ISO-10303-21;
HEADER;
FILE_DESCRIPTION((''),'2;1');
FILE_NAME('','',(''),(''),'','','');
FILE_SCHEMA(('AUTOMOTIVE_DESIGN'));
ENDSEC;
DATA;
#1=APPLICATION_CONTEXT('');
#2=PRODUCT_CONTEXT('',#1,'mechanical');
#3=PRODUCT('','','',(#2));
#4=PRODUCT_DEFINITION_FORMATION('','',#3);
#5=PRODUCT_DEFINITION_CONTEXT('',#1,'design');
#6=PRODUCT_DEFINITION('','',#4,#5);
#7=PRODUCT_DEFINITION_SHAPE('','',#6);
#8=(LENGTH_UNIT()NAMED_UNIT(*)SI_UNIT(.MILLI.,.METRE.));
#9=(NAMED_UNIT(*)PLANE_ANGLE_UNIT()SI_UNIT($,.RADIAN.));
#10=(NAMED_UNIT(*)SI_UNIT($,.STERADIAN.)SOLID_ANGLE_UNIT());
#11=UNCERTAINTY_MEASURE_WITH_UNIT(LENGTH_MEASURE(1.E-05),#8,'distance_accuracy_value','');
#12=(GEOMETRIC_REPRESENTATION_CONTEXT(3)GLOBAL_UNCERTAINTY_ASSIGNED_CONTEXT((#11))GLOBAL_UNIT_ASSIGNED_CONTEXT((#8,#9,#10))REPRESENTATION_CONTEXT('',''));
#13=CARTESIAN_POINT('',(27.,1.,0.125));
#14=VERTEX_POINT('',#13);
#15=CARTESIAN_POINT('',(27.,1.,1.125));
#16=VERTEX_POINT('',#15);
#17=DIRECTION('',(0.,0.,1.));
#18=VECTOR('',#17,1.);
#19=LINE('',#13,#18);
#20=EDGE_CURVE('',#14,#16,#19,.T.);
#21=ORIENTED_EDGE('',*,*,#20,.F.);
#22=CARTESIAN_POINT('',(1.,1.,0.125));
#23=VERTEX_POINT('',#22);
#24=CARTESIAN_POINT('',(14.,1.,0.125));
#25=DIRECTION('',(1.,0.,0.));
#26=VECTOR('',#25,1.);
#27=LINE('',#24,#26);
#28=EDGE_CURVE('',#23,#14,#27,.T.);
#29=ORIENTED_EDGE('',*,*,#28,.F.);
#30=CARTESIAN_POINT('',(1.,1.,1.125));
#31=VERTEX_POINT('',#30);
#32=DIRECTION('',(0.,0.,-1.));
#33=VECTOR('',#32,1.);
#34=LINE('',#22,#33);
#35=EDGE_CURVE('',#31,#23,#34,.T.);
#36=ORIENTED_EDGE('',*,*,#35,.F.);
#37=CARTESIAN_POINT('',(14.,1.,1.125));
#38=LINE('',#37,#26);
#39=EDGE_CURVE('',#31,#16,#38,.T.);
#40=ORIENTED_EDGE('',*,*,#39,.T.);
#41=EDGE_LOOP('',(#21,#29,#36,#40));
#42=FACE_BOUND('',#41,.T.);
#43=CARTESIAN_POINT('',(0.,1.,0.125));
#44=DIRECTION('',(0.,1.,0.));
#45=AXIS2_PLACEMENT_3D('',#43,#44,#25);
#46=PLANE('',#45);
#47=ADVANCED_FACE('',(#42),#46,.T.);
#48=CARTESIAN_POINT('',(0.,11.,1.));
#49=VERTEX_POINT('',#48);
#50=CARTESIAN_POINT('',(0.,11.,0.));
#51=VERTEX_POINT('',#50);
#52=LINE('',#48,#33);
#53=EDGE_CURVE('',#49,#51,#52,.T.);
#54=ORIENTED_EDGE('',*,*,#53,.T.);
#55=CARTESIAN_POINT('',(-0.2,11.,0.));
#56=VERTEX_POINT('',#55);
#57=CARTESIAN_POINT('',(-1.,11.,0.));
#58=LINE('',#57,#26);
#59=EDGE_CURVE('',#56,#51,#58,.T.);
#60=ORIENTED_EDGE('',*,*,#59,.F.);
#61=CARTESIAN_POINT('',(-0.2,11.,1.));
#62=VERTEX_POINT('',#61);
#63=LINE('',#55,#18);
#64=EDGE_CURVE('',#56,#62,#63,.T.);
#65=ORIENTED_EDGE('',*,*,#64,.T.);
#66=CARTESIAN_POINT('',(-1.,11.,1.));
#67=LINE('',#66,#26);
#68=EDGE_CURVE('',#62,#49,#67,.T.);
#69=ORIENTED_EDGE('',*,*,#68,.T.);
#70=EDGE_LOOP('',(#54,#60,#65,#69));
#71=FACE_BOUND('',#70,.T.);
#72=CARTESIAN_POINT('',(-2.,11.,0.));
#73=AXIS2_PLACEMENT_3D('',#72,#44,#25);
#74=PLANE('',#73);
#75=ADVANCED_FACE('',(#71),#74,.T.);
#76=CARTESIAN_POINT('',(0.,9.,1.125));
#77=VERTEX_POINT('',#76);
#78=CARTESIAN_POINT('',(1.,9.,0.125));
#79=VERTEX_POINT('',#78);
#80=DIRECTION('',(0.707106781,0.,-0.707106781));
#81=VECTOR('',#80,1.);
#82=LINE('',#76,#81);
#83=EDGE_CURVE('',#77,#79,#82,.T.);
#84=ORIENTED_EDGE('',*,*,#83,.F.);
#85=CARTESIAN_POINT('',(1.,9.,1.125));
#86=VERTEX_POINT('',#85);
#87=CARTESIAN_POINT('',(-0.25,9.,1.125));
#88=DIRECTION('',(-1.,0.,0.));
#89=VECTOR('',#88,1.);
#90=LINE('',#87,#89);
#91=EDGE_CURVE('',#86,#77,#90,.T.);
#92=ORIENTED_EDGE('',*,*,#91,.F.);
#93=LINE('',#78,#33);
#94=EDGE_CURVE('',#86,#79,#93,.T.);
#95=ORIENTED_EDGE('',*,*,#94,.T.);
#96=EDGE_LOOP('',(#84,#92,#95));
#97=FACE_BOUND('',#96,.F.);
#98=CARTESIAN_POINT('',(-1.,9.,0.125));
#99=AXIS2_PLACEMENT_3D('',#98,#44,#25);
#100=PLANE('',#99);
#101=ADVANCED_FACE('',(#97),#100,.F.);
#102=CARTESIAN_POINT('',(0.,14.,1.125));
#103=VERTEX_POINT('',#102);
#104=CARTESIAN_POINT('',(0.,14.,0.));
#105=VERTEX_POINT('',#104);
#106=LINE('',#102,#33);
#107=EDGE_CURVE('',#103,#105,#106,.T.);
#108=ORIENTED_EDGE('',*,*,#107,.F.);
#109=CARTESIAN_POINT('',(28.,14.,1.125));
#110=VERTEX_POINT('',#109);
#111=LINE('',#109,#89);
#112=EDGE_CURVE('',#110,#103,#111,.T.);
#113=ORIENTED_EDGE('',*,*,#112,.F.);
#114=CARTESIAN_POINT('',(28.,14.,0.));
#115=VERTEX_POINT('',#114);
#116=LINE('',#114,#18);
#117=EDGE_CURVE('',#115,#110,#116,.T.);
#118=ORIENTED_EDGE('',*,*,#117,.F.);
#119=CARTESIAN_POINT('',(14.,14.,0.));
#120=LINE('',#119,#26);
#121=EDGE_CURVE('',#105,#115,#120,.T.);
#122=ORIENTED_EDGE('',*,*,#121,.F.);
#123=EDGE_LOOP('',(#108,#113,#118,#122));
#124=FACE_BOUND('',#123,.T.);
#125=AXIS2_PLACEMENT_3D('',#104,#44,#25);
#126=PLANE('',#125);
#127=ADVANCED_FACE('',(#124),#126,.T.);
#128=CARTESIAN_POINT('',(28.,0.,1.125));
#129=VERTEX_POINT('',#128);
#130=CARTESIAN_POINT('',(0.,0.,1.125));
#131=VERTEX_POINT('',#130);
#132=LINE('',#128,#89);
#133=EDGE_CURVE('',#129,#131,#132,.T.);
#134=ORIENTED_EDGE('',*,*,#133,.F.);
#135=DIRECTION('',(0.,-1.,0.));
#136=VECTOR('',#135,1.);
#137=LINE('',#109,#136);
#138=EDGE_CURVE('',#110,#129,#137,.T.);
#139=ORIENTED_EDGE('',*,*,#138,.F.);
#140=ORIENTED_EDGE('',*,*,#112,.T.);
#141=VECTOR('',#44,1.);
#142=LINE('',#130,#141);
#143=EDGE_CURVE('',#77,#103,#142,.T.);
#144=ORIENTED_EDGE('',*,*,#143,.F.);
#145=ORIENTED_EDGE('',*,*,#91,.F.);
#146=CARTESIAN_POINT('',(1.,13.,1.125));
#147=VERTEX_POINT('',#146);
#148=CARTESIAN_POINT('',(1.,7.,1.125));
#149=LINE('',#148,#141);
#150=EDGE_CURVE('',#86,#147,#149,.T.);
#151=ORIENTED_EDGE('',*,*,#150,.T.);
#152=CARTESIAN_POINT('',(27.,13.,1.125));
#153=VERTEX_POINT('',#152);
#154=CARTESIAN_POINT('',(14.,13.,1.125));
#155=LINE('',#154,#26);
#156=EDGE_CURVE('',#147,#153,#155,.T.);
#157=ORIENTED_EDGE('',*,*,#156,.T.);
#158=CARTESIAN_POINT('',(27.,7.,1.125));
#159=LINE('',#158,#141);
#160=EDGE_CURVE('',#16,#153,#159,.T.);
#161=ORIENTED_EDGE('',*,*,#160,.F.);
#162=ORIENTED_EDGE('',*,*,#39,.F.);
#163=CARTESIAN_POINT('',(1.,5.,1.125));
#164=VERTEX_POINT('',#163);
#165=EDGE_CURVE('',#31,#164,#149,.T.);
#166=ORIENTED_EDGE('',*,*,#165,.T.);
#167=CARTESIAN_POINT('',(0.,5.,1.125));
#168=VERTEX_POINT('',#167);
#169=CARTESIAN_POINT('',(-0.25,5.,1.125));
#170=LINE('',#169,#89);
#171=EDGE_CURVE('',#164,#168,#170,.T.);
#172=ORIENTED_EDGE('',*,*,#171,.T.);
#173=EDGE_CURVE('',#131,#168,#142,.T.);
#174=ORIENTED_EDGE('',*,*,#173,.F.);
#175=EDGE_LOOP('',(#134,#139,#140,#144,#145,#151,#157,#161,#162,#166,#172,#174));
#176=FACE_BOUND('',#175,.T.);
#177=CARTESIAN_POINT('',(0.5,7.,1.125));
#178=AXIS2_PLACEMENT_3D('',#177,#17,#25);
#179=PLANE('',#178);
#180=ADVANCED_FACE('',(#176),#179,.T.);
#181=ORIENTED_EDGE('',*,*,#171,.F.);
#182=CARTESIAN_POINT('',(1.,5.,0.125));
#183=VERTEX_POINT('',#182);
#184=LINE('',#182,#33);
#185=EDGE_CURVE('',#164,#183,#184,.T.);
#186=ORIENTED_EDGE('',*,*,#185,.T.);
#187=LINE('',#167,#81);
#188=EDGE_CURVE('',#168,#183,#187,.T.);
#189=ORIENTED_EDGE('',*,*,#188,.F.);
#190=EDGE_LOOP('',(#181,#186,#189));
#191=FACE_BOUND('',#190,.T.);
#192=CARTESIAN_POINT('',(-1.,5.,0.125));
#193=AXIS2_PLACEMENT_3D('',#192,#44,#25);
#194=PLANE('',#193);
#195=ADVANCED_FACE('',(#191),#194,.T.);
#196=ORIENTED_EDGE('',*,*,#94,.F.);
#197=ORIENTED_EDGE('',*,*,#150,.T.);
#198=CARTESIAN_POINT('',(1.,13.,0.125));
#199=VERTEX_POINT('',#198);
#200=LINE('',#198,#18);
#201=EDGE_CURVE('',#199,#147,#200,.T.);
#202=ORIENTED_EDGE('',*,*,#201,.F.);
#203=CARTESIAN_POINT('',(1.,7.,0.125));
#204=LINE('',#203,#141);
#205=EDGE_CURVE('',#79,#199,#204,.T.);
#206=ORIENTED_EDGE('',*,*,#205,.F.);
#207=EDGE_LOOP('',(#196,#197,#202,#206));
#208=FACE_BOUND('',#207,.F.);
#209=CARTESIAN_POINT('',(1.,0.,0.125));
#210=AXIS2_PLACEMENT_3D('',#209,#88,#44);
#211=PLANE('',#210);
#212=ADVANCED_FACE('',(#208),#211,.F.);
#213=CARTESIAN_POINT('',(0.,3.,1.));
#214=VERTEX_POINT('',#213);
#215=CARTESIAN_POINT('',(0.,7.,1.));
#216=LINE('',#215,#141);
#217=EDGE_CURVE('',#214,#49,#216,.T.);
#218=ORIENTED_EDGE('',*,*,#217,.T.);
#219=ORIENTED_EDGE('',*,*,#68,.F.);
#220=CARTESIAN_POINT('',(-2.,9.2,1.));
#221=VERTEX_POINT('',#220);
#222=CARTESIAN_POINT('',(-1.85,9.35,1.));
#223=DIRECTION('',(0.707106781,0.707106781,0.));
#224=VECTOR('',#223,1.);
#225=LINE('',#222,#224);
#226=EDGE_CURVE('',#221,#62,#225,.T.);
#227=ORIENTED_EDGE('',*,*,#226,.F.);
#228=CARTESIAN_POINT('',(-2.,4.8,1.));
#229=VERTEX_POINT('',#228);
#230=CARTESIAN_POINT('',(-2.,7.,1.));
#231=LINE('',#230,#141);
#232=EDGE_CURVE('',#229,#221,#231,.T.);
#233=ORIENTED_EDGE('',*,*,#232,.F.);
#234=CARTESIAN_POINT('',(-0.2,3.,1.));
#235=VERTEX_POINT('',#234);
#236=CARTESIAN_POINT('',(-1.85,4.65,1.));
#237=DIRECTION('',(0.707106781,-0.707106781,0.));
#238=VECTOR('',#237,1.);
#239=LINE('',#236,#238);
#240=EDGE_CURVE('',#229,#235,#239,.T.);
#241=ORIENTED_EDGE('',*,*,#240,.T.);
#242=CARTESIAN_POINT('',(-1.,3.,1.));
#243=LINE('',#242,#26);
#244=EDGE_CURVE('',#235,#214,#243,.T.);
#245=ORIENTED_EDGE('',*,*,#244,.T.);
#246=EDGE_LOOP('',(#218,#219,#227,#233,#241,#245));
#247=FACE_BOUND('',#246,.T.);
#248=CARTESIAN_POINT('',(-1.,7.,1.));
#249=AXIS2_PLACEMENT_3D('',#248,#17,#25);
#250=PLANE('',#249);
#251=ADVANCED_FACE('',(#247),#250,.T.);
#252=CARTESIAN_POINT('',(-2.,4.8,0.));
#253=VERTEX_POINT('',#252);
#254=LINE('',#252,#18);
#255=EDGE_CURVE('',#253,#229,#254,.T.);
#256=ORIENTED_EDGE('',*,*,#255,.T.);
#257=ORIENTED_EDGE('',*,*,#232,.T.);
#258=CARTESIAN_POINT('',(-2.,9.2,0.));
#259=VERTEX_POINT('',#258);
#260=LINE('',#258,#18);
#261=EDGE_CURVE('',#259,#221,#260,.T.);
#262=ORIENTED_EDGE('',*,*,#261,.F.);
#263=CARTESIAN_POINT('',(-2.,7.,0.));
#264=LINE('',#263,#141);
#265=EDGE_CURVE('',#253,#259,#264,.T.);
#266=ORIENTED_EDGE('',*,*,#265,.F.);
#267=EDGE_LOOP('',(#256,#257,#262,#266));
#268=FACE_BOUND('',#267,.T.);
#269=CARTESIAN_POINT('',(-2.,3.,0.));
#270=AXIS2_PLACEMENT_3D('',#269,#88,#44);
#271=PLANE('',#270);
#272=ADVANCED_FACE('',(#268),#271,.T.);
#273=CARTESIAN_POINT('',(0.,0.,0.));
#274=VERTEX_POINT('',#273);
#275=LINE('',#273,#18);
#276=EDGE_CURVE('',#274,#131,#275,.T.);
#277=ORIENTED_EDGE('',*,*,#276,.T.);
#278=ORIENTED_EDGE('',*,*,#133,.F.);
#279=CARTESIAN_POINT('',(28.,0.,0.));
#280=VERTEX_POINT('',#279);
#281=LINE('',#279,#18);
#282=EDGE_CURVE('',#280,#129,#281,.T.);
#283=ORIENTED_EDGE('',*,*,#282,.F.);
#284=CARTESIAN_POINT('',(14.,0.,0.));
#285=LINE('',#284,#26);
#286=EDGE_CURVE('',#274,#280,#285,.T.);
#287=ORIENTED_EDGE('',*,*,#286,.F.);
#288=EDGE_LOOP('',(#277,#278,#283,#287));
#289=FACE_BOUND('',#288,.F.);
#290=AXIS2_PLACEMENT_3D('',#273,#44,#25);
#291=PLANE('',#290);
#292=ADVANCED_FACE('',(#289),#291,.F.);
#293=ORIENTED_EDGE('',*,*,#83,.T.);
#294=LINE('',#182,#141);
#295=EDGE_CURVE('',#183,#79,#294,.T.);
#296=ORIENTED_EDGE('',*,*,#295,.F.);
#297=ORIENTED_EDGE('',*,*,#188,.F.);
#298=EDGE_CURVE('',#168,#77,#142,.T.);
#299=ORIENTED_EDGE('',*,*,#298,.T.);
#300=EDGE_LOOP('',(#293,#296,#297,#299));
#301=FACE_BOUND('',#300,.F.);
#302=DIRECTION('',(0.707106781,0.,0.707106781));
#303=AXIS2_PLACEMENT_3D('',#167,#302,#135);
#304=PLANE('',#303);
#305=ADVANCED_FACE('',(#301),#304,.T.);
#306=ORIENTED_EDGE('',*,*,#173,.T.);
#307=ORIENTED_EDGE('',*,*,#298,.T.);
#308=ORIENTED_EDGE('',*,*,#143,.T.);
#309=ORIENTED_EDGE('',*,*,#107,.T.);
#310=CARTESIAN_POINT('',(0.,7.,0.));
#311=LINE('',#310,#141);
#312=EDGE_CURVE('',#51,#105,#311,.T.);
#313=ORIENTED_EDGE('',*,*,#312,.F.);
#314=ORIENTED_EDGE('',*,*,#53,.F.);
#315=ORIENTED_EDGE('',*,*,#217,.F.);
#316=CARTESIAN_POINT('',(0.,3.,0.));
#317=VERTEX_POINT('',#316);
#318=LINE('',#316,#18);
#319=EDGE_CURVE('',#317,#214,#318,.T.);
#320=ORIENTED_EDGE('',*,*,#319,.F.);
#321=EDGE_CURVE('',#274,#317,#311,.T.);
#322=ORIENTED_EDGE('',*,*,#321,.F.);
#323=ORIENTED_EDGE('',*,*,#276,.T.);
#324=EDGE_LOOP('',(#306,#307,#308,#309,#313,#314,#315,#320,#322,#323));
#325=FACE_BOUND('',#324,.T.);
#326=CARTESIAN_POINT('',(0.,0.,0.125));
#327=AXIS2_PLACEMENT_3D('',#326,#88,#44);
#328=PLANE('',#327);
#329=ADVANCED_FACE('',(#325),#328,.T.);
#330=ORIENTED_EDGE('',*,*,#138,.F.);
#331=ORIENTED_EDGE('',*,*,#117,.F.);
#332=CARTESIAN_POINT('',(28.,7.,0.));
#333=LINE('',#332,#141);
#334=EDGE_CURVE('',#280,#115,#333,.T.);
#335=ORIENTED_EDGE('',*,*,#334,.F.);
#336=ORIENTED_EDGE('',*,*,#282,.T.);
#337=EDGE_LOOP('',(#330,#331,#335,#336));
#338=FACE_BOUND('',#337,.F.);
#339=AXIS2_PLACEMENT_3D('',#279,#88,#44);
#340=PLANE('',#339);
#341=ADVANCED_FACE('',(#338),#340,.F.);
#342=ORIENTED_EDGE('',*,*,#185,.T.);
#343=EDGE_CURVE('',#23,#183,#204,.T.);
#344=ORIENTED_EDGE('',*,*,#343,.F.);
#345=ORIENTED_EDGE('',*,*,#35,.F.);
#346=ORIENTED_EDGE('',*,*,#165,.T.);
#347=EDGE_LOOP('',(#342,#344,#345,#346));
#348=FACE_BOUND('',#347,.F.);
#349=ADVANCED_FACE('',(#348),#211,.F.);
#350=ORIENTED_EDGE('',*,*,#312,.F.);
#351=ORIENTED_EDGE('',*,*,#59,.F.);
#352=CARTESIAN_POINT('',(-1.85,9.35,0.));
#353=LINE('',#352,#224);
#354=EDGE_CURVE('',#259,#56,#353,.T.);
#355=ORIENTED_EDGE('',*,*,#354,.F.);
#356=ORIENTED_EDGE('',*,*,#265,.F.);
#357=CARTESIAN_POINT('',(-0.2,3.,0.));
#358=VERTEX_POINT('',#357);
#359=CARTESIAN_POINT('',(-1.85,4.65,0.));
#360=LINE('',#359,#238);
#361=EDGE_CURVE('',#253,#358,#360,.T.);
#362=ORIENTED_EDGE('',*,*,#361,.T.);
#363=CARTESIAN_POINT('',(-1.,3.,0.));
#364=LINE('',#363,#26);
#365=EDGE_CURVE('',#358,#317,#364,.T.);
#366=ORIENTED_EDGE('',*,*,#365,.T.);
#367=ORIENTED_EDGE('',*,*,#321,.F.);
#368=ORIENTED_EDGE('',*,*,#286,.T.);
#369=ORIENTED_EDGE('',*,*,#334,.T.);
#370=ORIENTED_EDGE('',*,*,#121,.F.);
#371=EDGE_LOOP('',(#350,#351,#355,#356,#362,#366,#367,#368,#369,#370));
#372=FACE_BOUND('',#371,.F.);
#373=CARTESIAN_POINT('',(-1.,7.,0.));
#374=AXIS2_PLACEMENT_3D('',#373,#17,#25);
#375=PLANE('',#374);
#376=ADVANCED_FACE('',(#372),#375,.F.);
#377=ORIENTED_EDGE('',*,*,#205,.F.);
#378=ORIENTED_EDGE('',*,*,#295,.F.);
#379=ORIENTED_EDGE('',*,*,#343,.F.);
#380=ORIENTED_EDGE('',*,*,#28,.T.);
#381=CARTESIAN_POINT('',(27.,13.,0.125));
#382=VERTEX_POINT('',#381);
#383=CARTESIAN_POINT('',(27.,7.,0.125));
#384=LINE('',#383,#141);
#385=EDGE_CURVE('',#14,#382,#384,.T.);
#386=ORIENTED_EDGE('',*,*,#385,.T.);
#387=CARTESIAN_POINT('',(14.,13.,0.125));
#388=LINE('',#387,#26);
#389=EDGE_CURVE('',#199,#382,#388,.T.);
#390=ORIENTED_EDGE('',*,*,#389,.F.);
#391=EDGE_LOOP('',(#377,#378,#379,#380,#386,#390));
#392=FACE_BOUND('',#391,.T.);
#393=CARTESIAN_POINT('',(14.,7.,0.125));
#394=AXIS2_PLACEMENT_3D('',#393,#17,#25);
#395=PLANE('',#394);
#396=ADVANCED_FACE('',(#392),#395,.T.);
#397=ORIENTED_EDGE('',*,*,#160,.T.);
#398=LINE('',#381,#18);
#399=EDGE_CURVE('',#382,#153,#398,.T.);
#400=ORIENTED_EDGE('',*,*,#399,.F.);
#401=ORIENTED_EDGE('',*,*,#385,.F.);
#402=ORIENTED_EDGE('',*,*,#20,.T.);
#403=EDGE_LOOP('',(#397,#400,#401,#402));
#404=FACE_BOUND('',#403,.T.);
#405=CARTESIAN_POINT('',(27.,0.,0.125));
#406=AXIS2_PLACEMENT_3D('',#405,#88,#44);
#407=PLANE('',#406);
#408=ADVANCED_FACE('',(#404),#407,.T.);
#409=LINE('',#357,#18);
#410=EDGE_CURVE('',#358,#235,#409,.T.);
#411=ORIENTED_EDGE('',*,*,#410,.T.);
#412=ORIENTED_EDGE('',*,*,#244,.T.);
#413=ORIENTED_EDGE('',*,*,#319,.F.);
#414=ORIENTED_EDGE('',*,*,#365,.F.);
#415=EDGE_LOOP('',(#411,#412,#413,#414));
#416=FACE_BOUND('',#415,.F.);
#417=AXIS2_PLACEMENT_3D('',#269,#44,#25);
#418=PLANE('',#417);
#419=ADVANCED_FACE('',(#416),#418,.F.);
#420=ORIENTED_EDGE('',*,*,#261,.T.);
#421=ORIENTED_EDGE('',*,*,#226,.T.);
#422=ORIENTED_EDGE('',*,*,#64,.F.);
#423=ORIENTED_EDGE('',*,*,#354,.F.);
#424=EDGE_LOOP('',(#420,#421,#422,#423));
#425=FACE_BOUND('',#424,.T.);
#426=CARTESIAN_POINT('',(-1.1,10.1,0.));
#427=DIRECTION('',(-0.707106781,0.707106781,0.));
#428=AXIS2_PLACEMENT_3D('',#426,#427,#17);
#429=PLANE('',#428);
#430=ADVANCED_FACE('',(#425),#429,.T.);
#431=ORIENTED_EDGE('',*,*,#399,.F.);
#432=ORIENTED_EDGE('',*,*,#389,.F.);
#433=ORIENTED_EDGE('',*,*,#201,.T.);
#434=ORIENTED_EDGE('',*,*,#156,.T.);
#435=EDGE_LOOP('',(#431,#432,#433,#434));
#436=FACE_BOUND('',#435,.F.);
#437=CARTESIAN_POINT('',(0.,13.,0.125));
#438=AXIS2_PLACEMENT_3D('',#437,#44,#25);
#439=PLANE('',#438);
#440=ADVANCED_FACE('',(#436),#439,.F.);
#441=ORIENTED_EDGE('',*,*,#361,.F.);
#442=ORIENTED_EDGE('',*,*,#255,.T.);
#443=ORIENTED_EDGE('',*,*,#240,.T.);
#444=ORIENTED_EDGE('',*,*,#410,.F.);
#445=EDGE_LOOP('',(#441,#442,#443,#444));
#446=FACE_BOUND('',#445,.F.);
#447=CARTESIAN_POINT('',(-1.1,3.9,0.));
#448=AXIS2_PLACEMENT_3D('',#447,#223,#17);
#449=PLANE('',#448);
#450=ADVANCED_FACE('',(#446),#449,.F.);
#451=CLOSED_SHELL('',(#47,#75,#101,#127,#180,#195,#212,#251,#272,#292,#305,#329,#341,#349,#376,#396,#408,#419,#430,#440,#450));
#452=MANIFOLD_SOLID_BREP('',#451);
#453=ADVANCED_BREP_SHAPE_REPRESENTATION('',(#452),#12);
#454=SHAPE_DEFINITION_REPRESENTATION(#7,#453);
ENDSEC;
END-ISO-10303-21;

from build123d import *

# Parameters (mm, degrees)
BOX001_W        = 3
BOX001_H        = 4
BOX001_DEPTH    = 5
CHAMFER_SIZE    = 2
BOX002_W        = 2
BOX002_H        = 8
BOX002_DEPTH    = 1
CHAMFER001_SIZE = 1.8
SKETCH004_W     = 1
SKETCH004_H     = 14
PAD004_DEPTH    = 1
SKETCH005_W     = 28
SKETCH005_H     = 1
PAD005_DEPTH    = 1
SKETCH006_W     = 1
SKETCH006_H     = 14
PAD006_DEPTH    = 1
SKETCH003_W     = 28
SKETCH003_H     = 1
PAD003_DEPTH    = 1
BOX_W           = 28
BOX_H           = 14
BOX_DEPTH       = 0.125


with BuildPart() as chamfer_body:
    # Box001 → Box001 (new body)
    with BuildSketch(Plane(origin=(-1, 5, 0.125), x_dir=(1, 0, 0), z_dir=(0, 0, 1))):
        with Locations((1.5, 2)):
            Rectangle(BOX001_W, BOX001_H)
    extrude(amount=BOX001_DEPTH)

    # Chamfer
    chamfer_edges = [chamfer_body.edges().sort_by_distance(p)[0] for p in [
        (-1, 7, 0.125),
    ]]
    chamfer(chamfer_edges, length=CHAMFER_SIZE)


with BuildPart() as chamfer001:
    # Box002 → Box002 (new body)
    with BuildSketch(Plane(origin=(-2, 3, 0), x_dir=(1, 0, 0), z_dir=(0, 0, 1))):
        with Locations((1, 4)):
            Rectangle(BOX002_W, BOX002_H)
    extrude(amount=BOX002_DEPTH)

    # Chamfer001
    chamfer001_edges = [chamfer001.edges().sort_by_distance(p)[0] for p in [
        (-2, 3, 0.5),
        (-2, 11, 0.5),
    ]]
    chamfer(chamfer001_edges, length=CHAMFER001_SIZE)


with BuildPart() as pad004:
    # Sketch004 → Pad004 (new body)
    with BuildSketch(Plane.XY.offset(0.125)):
        with Locations((0.5, 7)):
            Rectangle(SKETCH004_W, SKETCH004_H)
    extrude(amount=PAD004_DEPTH)


with BuildPart() as pad005:
    # Sketch005 → Pad005 (new body)
    with BuildSketch(Plane.XY.offset(0.125)):
        with Locations((14, 0.5)):
            Rectangle(SKETCH005_W, SKETCH005_H)
    extrude(amount=PAD005_DEPTH)


with BuildPart() as pad006:
    # Sketch006 → Pad006 (new body)
    with BuildSketch(Plane.XY.offset(0.125)):
        with Locations((27.5, 7)):
            Rectangle(SKETCH006_W, SKETCH006_H)
    extrude(amount=PAD006_DEPTH)


with BuildPart() as walls:
    # Sketch003 → Pad003 (new body)
    with BuildSketch(Plane.XY.offset(0.125)):
        with Locations((14, 13.5)):
            Rectangle(SKETCH003_W, SKETCH003_H)
    extrude(amount=PAD003_DEPTH)

    # Fusion001: union Pad004, Pad005, Pad006
    add(pad004.part)
    add(pad005.part)
    add(pad006.part)

    # Fusion: union Chamfer001
    add(chamfer001.part)

    # Cut: cut Chamfer body
    add(chamfer_body.part, mode=Mode.SUBTRACT)


with BuildPart() as base_and_walls_do_not_edit:
    # Box → Box (new body)
    with BuildSketch(Plane.XY):
        with Locations((14, 7)):
            Rectangle(BOX_W, BOX_H)
    extrude(amount=BOX_DEPTH)

    # Fusion024: union Walls
    add(walls.part)


solid = base_and_walls_do_not_edit.part
